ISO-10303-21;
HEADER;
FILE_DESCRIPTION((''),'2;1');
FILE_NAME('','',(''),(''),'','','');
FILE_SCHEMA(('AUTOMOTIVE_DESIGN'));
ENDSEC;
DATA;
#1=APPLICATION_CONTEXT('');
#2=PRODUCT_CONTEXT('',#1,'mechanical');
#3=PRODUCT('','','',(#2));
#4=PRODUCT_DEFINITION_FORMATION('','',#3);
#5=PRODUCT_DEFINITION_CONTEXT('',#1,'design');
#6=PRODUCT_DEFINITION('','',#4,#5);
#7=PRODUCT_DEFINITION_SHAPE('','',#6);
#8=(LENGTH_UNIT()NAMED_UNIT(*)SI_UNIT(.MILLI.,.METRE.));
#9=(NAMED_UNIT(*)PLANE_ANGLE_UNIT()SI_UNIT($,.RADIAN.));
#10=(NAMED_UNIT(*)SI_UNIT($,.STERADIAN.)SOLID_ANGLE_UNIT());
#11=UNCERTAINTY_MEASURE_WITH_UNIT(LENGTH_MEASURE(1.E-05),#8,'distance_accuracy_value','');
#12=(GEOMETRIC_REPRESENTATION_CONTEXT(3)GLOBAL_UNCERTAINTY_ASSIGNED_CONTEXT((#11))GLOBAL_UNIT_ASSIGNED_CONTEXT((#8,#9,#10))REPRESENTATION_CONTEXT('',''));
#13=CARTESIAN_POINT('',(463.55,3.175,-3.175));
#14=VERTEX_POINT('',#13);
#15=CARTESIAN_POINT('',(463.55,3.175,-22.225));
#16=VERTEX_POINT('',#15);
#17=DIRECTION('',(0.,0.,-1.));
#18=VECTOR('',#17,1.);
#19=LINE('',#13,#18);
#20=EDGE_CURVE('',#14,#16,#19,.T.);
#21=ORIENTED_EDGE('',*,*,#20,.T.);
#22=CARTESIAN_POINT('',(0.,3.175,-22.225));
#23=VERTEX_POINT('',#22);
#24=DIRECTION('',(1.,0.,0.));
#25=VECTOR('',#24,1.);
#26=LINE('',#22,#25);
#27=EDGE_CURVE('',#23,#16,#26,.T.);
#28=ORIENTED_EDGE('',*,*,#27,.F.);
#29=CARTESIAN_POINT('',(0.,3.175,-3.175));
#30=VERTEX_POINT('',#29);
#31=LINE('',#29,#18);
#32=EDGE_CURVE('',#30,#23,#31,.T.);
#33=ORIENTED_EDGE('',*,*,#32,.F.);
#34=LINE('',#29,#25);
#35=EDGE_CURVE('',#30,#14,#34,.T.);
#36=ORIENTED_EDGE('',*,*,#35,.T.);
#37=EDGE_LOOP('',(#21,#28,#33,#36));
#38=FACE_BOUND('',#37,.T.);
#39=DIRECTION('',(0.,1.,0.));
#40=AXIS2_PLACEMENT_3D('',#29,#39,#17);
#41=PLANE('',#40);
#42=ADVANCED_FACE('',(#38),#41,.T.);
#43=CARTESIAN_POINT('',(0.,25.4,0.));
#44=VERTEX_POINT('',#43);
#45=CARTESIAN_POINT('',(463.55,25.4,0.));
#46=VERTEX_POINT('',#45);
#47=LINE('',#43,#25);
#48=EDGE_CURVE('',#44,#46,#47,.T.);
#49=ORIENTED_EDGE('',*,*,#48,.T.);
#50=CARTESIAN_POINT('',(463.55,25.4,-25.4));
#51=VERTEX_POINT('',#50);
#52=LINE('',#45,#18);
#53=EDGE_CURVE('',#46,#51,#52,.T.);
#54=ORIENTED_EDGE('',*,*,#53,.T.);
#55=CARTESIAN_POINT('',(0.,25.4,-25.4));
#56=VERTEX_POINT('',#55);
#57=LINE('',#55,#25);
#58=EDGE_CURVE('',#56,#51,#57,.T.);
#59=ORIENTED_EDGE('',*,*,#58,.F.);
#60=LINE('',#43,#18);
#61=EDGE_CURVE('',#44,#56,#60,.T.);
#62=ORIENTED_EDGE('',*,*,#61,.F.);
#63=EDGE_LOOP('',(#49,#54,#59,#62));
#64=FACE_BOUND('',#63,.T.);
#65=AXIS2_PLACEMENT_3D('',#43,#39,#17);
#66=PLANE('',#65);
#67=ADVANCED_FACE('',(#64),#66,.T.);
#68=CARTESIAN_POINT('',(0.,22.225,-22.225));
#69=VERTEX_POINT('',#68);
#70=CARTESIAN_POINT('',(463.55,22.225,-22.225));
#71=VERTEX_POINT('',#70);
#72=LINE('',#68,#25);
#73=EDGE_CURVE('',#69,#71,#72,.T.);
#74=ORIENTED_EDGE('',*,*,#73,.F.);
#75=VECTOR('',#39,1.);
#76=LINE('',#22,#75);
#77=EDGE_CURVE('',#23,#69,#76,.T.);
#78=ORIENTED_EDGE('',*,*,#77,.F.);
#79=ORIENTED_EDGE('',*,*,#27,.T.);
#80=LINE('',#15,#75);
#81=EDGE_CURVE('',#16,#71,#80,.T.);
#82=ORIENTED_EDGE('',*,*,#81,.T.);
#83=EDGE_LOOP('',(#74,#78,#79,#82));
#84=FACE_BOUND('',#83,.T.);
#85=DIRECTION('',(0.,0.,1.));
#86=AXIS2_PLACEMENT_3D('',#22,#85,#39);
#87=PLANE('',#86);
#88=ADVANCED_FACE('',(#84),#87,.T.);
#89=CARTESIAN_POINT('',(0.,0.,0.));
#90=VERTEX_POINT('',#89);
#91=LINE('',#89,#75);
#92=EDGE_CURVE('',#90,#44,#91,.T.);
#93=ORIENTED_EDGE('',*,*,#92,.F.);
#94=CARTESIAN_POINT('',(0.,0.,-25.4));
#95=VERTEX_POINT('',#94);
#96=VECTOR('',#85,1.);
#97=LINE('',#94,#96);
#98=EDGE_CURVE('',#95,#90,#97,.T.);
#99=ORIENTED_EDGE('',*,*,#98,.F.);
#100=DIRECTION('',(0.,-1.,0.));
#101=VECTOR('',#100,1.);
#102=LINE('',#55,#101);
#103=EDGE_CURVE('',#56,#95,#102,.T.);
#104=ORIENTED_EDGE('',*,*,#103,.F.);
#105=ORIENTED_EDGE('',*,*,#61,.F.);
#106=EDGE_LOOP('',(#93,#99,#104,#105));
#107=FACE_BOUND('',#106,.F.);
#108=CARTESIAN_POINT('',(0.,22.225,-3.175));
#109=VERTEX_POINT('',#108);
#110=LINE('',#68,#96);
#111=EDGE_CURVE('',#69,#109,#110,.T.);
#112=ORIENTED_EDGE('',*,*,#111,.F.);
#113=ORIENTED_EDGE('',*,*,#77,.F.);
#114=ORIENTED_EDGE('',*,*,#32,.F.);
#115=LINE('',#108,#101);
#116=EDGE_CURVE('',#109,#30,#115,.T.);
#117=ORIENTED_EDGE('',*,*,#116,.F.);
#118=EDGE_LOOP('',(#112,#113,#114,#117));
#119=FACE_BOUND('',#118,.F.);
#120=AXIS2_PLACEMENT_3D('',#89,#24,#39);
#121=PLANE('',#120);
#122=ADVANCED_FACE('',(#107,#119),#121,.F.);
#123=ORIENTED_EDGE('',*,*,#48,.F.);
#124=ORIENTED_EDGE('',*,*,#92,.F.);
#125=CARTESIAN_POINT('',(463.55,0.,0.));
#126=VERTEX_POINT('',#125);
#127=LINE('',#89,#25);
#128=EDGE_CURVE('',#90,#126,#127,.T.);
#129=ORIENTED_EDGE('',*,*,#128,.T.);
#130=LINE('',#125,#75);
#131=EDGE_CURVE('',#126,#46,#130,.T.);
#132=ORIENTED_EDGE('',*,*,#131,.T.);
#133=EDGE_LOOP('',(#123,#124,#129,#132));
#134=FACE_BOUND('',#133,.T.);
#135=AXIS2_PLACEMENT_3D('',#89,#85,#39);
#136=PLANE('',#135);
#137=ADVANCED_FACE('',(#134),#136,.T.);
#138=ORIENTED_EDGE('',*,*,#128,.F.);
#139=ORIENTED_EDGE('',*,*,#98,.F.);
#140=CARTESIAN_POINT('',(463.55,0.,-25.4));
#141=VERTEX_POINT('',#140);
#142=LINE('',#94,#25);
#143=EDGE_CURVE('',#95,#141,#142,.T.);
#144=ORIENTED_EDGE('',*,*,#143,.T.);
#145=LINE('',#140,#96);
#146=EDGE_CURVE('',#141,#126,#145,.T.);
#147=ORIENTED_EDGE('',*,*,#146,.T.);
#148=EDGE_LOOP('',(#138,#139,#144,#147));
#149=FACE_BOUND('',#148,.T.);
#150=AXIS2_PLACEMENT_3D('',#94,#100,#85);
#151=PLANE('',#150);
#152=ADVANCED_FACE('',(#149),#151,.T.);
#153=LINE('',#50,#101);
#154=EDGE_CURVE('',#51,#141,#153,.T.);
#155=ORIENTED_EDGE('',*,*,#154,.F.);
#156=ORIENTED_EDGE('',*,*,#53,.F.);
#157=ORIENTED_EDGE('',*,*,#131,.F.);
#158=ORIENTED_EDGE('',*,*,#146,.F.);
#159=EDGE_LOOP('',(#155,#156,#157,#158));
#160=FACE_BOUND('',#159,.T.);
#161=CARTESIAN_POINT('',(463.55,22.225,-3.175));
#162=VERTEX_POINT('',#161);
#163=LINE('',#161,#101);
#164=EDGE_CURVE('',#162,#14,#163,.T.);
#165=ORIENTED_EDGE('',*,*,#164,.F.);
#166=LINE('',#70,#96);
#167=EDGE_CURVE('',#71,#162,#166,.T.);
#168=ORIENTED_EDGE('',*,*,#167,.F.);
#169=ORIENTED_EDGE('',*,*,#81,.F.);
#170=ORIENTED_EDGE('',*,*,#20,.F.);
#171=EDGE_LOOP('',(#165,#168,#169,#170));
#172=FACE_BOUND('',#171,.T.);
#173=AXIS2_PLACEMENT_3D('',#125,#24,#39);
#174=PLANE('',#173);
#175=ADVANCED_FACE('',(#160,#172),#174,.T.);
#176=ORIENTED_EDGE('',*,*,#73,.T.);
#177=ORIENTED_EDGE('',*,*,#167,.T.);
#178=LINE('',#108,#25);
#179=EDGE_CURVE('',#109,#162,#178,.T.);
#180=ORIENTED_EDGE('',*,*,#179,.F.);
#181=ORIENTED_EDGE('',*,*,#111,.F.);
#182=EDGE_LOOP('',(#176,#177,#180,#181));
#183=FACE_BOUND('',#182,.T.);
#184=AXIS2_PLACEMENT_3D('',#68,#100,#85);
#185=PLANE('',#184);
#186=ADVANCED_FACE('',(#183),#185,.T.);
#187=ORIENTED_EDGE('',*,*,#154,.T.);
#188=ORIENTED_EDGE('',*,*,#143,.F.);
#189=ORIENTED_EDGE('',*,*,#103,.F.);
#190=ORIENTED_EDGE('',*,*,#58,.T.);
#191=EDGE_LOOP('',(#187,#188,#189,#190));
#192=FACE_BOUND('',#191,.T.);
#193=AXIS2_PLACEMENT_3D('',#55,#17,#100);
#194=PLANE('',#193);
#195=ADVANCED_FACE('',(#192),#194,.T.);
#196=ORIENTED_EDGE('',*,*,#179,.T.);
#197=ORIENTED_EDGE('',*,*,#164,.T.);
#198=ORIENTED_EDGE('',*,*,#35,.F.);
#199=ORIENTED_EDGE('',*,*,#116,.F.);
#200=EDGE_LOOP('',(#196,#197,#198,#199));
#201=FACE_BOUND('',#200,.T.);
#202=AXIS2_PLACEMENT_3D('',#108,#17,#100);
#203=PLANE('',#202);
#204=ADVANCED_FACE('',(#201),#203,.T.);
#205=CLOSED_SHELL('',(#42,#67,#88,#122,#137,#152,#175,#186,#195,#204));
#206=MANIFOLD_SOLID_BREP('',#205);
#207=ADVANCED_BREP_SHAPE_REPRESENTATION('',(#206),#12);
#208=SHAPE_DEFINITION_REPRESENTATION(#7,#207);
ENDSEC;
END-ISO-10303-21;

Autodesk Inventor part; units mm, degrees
ref_plane "YZ Plane" through (0, 0, 0) normal (1, 0, 0) x (0, 1, 0)
ref_plane "XZ Plane" through (0, 0, 0) normal (0, 1, 0) x (-1, 0, 0)
ref_plane "XY Plane" through (0, 0, 0) normal (0, 0, 1) x (1, 0, 0)
sketch "Sketch1" plane through (0, 0, 0) normal (1, 0, 0) x (0, 1, 0)
  line L0 (0, 0) -> (25.4, 0)
  line L1 (25.4, 0) -> (25.4, -25.4)
  line L2 (25.4, -25.4) -> (0, -25.4)
  line L3 (0, -25.4) -> (0, 0)
  line L4 (22.225, -22.225) -> (22.225, -3.175)
  line L5 (22.225, -3.175) -> (3.175, -3.175)
  line L6 (3.175, -3.175) -> (3.175, -22.225)
  line L7 (3.175, -22.225) -> (22.225, -22.225)
  dimension "d0" = 25.4
  dimension "d1" = 25.4
  dimension "d2" = 3.175
extrude "Extrusion1" add sketch "Sketch1" along normal blind 463.55
properties part number "18.25x1x1liftbar" material "Aluminum 6061"
